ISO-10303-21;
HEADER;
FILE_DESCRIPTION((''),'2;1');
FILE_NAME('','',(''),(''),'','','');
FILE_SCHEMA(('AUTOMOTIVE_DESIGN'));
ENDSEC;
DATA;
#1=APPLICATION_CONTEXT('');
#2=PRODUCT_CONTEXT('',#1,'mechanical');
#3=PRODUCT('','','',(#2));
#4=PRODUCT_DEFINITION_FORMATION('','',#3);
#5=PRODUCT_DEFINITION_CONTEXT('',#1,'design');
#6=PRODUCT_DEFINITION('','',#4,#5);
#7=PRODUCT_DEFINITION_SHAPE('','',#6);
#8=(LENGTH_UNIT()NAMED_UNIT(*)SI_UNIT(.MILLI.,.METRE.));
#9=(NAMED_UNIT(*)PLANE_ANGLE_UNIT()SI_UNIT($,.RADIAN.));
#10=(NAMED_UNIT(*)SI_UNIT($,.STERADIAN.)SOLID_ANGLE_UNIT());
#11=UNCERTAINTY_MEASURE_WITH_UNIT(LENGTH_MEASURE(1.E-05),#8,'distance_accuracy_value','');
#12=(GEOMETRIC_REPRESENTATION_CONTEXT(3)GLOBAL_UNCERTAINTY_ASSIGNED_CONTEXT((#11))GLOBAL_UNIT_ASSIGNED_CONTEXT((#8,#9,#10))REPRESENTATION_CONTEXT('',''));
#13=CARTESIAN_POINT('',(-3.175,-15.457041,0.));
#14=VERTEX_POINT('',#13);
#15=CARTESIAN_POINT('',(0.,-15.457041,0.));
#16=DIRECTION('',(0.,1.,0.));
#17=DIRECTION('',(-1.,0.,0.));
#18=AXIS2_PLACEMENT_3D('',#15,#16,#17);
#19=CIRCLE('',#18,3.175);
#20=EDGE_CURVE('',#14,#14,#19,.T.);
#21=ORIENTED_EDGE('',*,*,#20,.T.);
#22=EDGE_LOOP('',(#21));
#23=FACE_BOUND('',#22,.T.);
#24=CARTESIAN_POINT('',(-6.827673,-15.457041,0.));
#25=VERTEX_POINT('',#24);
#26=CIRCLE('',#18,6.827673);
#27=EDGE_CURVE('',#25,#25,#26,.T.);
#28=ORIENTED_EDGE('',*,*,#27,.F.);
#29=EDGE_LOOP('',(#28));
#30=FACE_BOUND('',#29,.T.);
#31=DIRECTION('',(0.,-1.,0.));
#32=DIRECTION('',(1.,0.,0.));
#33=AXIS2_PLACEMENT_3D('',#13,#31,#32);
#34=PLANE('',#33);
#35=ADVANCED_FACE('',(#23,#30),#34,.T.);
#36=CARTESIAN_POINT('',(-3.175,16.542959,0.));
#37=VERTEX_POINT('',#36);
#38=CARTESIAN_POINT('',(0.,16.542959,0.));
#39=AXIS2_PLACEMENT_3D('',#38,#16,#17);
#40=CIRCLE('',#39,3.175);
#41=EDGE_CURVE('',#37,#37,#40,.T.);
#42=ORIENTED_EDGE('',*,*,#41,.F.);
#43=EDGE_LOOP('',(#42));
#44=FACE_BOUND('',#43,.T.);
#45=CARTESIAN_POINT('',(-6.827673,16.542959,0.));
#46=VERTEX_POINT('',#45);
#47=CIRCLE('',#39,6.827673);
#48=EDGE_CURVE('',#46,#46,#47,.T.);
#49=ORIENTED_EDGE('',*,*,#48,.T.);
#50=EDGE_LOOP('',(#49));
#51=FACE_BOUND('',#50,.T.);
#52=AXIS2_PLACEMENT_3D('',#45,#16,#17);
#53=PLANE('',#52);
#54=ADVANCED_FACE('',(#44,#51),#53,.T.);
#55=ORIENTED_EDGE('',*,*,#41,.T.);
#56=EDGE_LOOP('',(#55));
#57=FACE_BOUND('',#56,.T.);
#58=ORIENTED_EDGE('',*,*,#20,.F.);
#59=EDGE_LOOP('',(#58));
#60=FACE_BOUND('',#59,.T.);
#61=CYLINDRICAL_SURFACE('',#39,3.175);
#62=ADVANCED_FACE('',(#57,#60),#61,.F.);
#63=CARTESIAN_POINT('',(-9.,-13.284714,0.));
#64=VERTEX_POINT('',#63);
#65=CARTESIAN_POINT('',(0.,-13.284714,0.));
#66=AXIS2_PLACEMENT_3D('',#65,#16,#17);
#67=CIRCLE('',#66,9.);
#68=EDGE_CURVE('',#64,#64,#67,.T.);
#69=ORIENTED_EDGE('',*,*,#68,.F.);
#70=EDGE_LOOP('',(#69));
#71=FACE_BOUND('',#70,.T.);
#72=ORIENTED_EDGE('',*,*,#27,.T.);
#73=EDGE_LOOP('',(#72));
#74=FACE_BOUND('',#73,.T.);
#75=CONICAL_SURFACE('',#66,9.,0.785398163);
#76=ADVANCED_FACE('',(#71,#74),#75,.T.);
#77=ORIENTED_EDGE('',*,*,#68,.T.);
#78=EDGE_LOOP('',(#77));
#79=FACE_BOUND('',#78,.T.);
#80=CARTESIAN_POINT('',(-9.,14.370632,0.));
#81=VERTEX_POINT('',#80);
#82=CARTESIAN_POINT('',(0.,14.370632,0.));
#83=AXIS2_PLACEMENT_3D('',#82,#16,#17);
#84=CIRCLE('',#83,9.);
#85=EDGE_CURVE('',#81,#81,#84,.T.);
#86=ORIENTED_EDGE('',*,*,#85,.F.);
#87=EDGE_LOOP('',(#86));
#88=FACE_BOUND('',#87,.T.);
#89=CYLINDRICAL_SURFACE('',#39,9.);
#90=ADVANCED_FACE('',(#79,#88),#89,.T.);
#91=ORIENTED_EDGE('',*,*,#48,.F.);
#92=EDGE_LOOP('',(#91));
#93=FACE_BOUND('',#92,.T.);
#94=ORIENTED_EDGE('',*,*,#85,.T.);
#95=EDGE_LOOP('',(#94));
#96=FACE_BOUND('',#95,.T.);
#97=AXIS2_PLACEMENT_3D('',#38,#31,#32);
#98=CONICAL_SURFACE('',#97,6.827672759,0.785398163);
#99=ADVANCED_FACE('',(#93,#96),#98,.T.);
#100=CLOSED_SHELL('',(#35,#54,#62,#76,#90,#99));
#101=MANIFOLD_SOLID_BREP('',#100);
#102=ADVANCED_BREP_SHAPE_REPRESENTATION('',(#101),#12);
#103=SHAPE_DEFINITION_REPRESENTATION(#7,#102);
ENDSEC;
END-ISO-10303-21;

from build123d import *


with BuildPart() as part:
    # Esquisse1 → Révolution1 (revolve)
    with BuildSketch(Plane.XY):
        Polygon((-3.175, -15.457041255), (-6.827672759, -15.457041255), (-9, -13.284714014), (-9, 14.370631503), (-6.827672759, 16.542958745), (-3.175, 16.542958745), align=None)
    revolve(axis=Axis((0, 16.542958745, 0), (0, -1, 0)))


solid = part.part
